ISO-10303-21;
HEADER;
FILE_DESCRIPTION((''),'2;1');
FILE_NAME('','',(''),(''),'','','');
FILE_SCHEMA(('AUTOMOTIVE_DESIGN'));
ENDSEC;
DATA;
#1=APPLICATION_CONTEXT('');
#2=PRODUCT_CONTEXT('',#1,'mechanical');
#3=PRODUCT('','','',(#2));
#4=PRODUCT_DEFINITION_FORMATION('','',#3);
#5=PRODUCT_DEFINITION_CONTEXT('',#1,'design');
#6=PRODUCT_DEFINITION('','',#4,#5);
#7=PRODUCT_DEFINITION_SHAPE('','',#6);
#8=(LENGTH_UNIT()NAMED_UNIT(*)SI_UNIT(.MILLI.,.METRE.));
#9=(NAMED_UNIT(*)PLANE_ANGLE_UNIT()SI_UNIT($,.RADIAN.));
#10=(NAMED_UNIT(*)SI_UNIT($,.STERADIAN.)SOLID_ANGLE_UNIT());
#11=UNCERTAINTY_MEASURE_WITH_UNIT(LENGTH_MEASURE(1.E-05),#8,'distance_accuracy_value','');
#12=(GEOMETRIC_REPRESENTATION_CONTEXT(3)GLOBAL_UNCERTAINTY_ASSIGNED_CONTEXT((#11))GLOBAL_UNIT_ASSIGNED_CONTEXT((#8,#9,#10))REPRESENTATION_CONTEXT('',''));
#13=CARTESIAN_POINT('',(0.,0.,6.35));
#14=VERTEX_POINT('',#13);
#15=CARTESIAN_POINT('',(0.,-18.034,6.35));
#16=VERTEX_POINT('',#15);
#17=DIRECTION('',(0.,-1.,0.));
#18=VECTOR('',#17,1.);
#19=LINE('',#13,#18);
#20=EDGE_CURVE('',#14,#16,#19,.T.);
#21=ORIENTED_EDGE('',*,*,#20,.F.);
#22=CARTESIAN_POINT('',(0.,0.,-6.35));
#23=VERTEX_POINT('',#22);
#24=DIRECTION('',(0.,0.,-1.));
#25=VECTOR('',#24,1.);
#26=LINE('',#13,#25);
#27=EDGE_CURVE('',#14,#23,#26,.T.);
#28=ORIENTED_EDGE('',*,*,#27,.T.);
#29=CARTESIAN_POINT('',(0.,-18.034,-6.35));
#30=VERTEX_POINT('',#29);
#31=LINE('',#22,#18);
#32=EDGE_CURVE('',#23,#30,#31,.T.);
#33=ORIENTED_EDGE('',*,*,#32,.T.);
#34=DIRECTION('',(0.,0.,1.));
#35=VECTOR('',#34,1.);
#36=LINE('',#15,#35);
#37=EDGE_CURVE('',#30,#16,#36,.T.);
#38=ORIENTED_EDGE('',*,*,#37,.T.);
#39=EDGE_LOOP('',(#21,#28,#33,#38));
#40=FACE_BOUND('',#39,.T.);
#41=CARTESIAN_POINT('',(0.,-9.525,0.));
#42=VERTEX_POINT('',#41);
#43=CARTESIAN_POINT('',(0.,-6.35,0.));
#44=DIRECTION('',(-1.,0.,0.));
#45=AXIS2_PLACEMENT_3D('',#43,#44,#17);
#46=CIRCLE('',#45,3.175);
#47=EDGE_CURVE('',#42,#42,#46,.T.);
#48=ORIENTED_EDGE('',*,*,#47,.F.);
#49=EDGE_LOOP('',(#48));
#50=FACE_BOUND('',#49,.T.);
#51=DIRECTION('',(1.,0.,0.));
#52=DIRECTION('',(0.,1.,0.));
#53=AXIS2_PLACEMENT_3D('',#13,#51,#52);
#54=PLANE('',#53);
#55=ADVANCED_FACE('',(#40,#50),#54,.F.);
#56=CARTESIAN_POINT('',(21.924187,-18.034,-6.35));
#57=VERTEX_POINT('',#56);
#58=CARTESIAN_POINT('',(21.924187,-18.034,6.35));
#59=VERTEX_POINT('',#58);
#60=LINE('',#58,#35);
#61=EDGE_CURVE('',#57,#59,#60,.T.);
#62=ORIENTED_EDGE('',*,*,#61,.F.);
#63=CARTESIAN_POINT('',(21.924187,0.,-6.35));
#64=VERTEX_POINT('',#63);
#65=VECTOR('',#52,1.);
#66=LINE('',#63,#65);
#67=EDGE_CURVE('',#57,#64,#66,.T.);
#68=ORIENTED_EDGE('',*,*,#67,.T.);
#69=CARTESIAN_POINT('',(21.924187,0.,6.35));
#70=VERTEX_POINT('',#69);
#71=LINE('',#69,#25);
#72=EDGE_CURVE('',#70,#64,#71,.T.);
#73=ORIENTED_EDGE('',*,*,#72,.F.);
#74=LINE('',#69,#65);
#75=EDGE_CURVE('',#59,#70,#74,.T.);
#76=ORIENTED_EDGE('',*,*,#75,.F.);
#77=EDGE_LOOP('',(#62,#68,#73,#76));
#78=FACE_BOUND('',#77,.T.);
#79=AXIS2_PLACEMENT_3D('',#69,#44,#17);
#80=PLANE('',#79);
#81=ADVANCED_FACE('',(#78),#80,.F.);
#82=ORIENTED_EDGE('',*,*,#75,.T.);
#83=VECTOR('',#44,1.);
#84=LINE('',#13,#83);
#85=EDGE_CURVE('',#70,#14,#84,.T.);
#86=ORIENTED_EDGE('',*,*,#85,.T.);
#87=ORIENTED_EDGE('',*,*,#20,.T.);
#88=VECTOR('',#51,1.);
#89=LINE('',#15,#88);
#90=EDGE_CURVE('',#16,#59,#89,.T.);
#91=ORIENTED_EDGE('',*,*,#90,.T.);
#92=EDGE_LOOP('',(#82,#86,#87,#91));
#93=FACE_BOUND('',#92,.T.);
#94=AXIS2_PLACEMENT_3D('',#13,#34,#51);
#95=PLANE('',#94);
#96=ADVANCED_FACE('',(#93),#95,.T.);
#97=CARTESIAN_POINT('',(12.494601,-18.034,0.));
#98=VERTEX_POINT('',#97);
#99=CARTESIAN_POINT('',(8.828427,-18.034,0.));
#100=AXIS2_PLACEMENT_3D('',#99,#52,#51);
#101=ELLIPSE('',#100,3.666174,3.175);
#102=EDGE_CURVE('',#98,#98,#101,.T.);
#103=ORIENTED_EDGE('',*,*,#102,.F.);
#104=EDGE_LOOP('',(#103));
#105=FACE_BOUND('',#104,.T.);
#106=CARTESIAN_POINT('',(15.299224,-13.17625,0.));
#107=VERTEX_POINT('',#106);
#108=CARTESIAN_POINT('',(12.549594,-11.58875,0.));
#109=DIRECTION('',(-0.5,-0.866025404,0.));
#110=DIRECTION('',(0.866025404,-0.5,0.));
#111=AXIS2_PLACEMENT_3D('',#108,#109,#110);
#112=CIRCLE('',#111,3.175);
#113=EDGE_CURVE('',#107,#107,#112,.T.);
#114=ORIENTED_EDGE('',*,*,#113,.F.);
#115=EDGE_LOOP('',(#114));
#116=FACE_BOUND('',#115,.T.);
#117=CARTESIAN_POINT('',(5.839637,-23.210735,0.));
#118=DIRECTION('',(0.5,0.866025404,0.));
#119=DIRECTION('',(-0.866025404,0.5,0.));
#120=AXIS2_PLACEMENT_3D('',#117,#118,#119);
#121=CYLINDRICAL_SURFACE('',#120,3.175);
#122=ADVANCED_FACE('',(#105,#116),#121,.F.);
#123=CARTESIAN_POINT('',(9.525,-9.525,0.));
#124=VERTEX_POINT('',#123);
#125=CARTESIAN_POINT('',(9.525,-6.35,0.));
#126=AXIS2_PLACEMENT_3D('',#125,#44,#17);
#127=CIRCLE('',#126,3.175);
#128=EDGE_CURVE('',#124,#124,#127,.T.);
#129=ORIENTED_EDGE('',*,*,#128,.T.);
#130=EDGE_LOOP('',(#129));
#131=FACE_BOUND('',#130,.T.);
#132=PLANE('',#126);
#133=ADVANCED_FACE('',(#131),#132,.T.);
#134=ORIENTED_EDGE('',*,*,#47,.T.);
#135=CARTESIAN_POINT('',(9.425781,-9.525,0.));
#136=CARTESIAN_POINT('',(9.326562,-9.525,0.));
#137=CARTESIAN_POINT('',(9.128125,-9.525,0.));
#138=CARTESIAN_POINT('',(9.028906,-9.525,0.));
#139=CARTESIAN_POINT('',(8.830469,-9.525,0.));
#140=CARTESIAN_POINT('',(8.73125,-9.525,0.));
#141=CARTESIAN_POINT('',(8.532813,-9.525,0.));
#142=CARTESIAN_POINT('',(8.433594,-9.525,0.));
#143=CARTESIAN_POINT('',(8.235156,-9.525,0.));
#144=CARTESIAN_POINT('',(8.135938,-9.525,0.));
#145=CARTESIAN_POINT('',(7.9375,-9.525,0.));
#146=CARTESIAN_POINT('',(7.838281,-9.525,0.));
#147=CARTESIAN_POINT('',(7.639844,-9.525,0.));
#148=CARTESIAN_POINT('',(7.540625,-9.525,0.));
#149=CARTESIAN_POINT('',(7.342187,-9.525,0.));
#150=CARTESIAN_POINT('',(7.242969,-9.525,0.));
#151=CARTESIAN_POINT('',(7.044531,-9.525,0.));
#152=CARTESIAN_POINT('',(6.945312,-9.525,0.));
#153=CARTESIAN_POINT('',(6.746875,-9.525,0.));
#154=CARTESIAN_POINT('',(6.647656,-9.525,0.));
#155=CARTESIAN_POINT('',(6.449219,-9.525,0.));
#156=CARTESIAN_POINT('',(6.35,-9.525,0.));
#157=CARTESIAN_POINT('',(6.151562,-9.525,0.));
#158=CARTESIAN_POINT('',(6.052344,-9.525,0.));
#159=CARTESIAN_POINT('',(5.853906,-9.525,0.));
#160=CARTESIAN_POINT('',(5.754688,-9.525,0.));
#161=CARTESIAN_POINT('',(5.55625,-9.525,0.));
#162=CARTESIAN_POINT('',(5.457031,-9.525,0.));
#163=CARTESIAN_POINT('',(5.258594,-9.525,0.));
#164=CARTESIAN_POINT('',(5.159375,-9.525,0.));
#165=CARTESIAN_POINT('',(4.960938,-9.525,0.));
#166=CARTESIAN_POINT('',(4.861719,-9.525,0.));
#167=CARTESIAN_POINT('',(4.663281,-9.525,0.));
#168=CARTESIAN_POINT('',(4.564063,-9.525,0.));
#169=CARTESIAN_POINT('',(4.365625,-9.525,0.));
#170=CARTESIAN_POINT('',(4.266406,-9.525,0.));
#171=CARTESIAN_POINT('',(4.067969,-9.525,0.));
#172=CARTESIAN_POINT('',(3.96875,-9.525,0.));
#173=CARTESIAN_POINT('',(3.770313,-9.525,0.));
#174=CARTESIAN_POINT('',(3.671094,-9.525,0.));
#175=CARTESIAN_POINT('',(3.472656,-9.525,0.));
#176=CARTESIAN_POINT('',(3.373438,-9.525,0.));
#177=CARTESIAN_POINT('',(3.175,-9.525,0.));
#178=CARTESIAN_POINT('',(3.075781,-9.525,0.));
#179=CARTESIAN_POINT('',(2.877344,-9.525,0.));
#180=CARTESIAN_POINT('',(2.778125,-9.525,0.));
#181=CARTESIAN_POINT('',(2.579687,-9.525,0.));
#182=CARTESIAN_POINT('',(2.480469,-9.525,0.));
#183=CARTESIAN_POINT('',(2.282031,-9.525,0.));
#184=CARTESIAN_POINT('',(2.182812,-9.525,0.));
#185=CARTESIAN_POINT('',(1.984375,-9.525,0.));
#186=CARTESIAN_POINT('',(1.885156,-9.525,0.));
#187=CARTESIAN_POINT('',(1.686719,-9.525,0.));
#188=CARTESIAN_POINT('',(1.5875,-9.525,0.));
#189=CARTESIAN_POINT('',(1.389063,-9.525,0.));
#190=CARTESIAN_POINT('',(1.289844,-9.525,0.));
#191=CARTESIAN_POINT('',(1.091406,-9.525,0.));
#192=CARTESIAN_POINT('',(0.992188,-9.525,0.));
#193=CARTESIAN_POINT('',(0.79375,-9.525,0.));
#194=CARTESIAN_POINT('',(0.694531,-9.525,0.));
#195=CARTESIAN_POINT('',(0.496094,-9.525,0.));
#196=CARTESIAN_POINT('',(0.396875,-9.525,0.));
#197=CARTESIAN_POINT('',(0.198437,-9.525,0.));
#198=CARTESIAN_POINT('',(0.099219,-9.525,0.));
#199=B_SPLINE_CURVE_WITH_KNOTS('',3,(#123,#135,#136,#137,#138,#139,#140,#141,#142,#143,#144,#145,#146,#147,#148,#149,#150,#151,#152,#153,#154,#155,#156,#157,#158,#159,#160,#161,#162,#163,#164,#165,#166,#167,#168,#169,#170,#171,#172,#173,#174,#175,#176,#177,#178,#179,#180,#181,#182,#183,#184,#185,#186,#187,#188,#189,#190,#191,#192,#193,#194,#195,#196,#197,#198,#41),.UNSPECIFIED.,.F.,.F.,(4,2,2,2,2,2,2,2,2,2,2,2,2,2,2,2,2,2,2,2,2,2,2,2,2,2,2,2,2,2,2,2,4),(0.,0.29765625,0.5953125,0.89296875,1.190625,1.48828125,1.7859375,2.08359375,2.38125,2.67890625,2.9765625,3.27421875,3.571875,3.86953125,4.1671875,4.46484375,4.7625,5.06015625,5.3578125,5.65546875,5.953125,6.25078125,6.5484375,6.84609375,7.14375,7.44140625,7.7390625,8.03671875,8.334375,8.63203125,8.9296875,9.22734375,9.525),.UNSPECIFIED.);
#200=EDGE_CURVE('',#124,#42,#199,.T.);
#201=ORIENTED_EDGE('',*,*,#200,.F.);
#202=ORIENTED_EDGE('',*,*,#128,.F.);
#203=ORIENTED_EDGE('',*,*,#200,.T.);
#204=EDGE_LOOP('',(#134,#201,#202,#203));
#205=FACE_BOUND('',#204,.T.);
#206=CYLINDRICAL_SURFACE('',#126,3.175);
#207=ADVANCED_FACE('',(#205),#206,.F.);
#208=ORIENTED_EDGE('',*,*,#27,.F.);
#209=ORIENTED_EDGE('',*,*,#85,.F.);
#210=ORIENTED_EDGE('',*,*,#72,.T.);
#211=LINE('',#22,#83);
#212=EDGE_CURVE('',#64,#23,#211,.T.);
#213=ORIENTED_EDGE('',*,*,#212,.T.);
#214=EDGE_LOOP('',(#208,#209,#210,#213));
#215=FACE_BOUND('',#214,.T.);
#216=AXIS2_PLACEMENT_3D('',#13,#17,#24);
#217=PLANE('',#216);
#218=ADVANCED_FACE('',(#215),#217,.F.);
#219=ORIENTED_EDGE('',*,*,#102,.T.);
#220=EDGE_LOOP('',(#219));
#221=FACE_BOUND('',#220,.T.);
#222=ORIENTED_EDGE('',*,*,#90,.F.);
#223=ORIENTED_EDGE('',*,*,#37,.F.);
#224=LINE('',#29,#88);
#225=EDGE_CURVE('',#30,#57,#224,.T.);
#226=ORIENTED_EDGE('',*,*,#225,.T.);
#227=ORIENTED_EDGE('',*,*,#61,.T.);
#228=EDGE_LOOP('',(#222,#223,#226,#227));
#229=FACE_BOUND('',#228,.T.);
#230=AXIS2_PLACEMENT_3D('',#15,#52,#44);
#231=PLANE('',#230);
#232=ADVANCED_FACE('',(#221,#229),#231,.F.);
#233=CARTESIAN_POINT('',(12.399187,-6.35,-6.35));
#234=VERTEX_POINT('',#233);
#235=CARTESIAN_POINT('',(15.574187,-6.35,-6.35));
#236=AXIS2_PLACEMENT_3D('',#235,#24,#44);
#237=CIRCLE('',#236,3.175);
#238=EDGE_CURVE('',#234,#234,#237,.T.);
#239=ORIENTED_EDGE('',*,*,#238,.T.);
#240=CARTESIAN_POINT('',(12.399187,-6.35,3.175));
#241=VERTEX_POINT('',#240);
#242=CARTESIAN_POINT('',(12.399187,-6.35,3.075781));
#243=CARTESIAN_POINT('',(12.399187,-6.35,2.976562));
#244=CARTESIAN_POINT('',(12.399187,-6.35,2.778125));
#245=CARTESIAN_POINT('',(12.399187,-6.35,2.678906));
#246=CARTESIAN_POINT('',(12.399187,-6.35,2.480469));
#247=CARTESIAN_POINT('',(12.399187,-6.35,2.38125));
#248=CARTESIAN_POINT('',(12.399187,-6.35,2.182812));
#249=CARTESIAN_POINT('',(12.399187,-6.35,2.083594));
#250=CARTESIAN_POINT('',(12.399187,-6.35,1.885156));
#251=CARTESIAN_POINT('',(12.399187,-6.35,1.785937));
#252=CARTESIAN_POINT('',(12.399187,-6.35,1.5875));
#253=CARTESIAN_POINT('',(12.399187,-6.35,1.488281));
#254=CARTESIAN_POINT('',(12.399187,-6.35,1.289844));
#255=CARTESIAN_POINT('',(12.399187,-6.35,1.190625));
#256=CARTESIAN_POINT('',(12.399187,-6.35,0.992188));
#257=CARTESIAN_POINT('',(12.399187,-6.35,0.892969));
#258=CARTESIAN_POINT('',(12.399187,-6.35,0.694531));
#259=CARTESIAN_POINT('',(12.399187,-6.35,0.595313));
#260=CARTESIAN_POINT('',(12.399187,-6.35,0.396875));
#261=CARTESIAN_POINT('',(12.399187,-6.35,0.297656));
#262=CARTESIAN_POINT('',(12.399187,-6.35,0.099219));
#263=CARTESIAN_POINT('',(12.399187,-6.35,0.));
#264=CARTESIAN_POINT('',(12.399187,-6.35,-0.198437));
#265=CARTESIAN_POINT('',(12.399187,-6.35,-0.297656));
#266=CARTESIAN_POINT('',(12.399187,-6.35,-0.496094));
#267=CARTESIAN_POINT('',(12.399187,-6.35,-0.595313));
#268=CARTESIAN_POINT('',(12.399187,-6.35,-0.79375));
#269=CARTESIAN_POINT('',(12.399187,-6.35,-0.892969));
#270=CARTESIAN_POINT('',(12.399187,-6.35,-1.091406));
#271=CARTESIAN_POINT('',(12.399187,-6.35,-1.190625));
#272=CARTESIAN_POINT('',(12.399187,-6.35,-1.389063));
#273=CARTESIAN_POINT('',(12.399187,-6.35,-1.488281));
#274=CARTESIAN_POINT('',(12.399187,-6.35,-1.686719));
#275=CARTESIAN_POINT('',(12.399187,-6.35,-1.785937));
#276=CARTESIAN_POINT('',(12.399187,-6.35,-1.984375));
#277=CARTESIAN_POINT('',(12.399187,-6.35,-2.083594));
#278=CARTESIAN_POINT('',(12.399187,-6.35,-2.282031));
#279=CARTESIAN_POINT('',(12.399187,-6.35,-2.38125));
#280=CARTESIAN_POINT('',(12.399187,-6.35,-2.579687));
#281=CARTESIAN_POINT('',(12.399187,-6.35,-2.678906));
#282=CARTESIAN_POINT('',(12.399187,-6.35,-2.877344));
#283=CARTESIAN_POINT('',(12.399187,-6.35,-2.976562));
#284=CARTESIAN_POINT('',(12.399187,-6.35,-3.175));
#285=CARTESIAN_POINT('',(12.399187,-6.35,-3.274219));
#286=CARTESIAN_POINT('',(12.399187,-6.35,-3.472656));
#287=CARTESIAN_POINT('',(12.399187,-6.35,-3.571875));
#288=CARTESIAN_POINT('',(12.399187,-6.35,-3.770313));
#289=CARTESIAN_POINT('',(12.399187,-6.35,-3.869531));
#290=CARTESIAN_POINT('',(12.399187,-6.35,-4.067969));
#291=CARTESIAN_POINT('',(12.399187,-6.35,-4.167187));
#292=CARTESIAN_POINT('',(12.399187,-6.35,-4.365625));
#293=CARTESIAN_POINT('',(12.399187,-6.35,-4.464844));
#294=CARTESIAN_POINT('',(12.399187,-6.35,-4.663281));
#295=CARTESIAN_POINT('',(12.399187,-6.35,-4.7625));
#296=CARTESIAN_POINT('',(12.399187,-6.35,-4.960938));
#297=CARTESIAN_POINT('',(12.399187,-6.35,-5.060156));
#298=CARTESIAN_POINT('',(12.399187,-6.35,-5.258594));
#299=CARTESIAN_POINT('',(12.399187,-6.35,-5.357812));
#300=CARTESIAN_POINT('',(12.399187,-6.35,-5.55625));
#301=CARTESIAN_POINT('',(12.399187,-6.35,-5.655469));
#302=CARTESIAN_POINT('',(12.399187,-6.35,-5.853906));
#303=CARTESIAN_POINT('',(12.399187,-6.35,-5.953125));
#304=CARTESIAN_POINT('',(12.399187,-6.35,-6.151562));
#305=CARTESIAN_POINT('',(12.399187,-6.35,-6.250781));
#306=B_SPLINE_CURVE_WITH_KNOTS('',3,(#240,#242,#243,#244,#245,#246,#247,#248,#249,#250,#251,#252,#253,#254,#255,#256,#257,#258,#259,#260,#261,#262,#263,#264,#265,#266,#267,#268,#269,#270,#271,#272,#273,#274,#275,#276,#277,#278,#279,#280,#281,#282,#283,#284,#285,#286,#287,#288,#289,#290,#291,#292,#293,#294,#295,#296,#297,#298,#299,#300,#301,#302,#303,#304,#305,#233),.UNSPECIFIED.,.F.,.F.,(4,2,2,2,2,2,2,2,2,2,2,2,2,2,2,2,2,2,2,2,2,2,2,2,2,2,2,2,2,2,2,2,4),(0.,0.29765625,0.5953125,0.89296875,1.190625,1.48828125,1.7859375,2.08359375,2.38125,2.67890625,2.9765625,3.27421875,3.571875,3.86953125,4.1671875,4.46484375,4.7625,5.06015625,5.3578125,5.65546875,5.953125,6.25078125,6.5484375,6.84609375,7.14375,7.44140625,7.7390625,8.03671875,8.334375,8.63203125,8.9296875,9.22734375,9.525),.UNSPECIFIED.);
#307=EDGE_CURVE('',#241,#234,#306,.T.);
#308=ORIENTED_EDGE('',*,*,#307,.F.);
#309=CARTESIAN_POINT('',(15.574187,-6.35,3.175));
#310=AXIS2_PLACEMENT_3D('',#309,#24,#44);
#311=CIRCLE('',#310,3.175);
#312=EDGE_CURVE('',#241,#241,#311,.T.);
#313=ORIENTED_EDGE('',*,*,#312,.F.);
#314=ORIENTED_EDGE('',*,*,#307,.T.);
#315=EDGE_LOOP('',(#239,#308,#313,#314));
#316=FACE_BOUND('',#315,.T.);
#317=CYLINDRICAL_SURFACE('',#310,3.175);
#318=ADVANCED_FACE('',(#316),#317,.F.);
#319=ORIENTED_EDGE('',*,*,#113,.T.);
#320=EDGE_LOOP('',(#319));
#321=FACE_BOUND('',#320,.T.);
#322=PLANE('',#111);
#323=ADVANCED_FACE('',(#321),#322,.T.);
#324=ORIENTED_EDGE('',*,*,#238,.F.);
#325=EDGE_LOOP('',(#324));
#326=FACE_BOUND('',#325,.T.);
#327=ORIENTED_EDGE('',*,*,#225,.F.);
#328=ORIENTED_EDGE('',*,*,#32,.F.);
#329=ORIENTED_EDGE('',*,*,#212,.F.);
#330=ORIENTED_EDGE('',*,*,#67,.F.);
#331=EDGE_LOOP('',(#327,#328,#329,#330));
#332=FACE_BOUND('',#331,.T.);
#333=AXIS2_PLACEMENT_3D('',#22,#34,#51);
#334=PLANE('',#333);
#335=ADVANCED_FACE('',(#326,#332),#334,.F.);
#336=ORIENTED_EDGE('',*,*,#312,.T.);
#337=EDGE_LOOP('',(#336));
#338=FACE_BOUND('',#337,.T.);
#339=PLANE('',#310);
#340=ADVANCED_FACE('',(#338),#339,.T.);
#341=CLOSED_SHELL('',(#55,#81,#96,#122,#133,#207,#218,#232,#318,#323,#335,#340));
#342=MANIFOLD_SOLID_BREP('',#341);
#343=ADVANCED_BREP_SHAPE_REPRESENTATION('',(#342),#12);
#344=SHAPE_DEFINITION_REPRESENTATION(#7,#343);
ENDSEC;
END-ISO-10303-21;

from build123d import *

# Parameters (mm, degrees)
SKETCH3_W                      = 21.924187445
SKETCH3_H                      = 19.837641971
BOSS_EXTRUDE1_DEPTH            = 6.35
SKETCH4_R                      = 3.175
CUT_EXTRUDE1_DEPTH             = 9.525
SKETCH5_R                      = 3.175
CUT_EXTRUDE5_DEPTH             = 9.525
CUT_EXTRUDE5_DIRECTION_2_REACH = 27.174
SKETCH6_R                      = 3.175
CUT_EXTRUDE6_DEPTH             = 9.525
SKETCH7_W                      = 12.7
SKETCH7_H                      = 1.803641971
CUT_EXTRUDE7_DEPTH             = 31.241106695


with BuildPart() as part:
    # Sketch3 → Boss-Extrude1 (new, symmetric)
    with BuildSketch(Plane.XY):
        with Locations((10.962093723, -9.918820986)):
            Rectangle(SKETCH3_W, SKETCH3_H)
    extrude(amount=BOSS_EXTRUDE1_DEPTH, both=True)

    # Sketch4 → Cut-Extrude1 (cut)
    with BuildSketch(Plane.ZY):
        with Locations(Location((0, -6.35, 0), (0, 0, 270))):
            Circle(SKETCH4_R)
    extrude(amount=-CUT_EXTRUDE1_DEPTH, mode=Mode.SUBTRACT)

    # Sketch5 → Cut-Extrude5 (cut)
    with BuildSketch(Plane(origin=(7.787093723, -19.837641971, 0), x_dir=(-0.8660254037844382, 0.500000000000001, 0), z_dir=(-0.500000000000001, -0.8660254037844382, 0))):
        with Locations(Location((0, 0, 0), (0, 0, 180))):
            Circle(SKETCH5_R)
    extrude(amount=-CUT_EXTRUDE5_DEPTH, mode=Mode.SUBTRACT)

    # Sketch5 → Cut-Extrude5 direction 2 (cut, up to next)
    with BuildSketch(Plane(origin=(7.787093723, -19.837641971, 0), x_dir=(-0.8660254037844382, 0.500000000000001, 0), z_dir=(-0.500000000000001, -0.8660254037844382, 0)), mode=Mode.PRIVATE) as cut_extrude5_direction_2_sk1:
        with Locations(Location((0, 0, 0), (0, 0, 180))):
            Circle(SKETCH5_R)
    cut_extrude5_direction_2_tool1 = extrude(cut_extrude5_direction_2_sk1.sketch, amount=CUT_EXTRUDE5_DIRECTION_2_REACH, mode=Mode.PRIVATE) & part.part
    add(cut_extrude5_direction_2_tool1.solids().sort_by_distance((7.787094, -19.837642, 0))[0], mode=Mode.SUBTRACT)

    # Sketch6 → Cut-Extrude6 (cut)
    with BuildSketch(Plane(origin=(0, 0, -6.35), x_dir=(-1, 0, 0), z_dir=(0, 0, -1))):
        with Locations((-15.574187445, -6.35)):
            Circle(SKETCH6_R)
    extrude(amount=-CUT_EXTRUDE6_DEPTH, mode=Mode.SUBTRACT)

    # Sketch7 → Cut-Extrude7 (cut, through all)
    with BuildSketch(Plane(origin=(21.924187445, 0, 0), x_dir=(0, 0, -1), z_dir=(1, 0, 0))):
        with Locations((0, -18.935820986)):
            Rectangle(SKETCH7_W, SKETCH7_H)
    extrude(amount=-CUT_EXTRUDE7_DEPTH, mode=Mode.SUBTRACT)


solid = part.part
